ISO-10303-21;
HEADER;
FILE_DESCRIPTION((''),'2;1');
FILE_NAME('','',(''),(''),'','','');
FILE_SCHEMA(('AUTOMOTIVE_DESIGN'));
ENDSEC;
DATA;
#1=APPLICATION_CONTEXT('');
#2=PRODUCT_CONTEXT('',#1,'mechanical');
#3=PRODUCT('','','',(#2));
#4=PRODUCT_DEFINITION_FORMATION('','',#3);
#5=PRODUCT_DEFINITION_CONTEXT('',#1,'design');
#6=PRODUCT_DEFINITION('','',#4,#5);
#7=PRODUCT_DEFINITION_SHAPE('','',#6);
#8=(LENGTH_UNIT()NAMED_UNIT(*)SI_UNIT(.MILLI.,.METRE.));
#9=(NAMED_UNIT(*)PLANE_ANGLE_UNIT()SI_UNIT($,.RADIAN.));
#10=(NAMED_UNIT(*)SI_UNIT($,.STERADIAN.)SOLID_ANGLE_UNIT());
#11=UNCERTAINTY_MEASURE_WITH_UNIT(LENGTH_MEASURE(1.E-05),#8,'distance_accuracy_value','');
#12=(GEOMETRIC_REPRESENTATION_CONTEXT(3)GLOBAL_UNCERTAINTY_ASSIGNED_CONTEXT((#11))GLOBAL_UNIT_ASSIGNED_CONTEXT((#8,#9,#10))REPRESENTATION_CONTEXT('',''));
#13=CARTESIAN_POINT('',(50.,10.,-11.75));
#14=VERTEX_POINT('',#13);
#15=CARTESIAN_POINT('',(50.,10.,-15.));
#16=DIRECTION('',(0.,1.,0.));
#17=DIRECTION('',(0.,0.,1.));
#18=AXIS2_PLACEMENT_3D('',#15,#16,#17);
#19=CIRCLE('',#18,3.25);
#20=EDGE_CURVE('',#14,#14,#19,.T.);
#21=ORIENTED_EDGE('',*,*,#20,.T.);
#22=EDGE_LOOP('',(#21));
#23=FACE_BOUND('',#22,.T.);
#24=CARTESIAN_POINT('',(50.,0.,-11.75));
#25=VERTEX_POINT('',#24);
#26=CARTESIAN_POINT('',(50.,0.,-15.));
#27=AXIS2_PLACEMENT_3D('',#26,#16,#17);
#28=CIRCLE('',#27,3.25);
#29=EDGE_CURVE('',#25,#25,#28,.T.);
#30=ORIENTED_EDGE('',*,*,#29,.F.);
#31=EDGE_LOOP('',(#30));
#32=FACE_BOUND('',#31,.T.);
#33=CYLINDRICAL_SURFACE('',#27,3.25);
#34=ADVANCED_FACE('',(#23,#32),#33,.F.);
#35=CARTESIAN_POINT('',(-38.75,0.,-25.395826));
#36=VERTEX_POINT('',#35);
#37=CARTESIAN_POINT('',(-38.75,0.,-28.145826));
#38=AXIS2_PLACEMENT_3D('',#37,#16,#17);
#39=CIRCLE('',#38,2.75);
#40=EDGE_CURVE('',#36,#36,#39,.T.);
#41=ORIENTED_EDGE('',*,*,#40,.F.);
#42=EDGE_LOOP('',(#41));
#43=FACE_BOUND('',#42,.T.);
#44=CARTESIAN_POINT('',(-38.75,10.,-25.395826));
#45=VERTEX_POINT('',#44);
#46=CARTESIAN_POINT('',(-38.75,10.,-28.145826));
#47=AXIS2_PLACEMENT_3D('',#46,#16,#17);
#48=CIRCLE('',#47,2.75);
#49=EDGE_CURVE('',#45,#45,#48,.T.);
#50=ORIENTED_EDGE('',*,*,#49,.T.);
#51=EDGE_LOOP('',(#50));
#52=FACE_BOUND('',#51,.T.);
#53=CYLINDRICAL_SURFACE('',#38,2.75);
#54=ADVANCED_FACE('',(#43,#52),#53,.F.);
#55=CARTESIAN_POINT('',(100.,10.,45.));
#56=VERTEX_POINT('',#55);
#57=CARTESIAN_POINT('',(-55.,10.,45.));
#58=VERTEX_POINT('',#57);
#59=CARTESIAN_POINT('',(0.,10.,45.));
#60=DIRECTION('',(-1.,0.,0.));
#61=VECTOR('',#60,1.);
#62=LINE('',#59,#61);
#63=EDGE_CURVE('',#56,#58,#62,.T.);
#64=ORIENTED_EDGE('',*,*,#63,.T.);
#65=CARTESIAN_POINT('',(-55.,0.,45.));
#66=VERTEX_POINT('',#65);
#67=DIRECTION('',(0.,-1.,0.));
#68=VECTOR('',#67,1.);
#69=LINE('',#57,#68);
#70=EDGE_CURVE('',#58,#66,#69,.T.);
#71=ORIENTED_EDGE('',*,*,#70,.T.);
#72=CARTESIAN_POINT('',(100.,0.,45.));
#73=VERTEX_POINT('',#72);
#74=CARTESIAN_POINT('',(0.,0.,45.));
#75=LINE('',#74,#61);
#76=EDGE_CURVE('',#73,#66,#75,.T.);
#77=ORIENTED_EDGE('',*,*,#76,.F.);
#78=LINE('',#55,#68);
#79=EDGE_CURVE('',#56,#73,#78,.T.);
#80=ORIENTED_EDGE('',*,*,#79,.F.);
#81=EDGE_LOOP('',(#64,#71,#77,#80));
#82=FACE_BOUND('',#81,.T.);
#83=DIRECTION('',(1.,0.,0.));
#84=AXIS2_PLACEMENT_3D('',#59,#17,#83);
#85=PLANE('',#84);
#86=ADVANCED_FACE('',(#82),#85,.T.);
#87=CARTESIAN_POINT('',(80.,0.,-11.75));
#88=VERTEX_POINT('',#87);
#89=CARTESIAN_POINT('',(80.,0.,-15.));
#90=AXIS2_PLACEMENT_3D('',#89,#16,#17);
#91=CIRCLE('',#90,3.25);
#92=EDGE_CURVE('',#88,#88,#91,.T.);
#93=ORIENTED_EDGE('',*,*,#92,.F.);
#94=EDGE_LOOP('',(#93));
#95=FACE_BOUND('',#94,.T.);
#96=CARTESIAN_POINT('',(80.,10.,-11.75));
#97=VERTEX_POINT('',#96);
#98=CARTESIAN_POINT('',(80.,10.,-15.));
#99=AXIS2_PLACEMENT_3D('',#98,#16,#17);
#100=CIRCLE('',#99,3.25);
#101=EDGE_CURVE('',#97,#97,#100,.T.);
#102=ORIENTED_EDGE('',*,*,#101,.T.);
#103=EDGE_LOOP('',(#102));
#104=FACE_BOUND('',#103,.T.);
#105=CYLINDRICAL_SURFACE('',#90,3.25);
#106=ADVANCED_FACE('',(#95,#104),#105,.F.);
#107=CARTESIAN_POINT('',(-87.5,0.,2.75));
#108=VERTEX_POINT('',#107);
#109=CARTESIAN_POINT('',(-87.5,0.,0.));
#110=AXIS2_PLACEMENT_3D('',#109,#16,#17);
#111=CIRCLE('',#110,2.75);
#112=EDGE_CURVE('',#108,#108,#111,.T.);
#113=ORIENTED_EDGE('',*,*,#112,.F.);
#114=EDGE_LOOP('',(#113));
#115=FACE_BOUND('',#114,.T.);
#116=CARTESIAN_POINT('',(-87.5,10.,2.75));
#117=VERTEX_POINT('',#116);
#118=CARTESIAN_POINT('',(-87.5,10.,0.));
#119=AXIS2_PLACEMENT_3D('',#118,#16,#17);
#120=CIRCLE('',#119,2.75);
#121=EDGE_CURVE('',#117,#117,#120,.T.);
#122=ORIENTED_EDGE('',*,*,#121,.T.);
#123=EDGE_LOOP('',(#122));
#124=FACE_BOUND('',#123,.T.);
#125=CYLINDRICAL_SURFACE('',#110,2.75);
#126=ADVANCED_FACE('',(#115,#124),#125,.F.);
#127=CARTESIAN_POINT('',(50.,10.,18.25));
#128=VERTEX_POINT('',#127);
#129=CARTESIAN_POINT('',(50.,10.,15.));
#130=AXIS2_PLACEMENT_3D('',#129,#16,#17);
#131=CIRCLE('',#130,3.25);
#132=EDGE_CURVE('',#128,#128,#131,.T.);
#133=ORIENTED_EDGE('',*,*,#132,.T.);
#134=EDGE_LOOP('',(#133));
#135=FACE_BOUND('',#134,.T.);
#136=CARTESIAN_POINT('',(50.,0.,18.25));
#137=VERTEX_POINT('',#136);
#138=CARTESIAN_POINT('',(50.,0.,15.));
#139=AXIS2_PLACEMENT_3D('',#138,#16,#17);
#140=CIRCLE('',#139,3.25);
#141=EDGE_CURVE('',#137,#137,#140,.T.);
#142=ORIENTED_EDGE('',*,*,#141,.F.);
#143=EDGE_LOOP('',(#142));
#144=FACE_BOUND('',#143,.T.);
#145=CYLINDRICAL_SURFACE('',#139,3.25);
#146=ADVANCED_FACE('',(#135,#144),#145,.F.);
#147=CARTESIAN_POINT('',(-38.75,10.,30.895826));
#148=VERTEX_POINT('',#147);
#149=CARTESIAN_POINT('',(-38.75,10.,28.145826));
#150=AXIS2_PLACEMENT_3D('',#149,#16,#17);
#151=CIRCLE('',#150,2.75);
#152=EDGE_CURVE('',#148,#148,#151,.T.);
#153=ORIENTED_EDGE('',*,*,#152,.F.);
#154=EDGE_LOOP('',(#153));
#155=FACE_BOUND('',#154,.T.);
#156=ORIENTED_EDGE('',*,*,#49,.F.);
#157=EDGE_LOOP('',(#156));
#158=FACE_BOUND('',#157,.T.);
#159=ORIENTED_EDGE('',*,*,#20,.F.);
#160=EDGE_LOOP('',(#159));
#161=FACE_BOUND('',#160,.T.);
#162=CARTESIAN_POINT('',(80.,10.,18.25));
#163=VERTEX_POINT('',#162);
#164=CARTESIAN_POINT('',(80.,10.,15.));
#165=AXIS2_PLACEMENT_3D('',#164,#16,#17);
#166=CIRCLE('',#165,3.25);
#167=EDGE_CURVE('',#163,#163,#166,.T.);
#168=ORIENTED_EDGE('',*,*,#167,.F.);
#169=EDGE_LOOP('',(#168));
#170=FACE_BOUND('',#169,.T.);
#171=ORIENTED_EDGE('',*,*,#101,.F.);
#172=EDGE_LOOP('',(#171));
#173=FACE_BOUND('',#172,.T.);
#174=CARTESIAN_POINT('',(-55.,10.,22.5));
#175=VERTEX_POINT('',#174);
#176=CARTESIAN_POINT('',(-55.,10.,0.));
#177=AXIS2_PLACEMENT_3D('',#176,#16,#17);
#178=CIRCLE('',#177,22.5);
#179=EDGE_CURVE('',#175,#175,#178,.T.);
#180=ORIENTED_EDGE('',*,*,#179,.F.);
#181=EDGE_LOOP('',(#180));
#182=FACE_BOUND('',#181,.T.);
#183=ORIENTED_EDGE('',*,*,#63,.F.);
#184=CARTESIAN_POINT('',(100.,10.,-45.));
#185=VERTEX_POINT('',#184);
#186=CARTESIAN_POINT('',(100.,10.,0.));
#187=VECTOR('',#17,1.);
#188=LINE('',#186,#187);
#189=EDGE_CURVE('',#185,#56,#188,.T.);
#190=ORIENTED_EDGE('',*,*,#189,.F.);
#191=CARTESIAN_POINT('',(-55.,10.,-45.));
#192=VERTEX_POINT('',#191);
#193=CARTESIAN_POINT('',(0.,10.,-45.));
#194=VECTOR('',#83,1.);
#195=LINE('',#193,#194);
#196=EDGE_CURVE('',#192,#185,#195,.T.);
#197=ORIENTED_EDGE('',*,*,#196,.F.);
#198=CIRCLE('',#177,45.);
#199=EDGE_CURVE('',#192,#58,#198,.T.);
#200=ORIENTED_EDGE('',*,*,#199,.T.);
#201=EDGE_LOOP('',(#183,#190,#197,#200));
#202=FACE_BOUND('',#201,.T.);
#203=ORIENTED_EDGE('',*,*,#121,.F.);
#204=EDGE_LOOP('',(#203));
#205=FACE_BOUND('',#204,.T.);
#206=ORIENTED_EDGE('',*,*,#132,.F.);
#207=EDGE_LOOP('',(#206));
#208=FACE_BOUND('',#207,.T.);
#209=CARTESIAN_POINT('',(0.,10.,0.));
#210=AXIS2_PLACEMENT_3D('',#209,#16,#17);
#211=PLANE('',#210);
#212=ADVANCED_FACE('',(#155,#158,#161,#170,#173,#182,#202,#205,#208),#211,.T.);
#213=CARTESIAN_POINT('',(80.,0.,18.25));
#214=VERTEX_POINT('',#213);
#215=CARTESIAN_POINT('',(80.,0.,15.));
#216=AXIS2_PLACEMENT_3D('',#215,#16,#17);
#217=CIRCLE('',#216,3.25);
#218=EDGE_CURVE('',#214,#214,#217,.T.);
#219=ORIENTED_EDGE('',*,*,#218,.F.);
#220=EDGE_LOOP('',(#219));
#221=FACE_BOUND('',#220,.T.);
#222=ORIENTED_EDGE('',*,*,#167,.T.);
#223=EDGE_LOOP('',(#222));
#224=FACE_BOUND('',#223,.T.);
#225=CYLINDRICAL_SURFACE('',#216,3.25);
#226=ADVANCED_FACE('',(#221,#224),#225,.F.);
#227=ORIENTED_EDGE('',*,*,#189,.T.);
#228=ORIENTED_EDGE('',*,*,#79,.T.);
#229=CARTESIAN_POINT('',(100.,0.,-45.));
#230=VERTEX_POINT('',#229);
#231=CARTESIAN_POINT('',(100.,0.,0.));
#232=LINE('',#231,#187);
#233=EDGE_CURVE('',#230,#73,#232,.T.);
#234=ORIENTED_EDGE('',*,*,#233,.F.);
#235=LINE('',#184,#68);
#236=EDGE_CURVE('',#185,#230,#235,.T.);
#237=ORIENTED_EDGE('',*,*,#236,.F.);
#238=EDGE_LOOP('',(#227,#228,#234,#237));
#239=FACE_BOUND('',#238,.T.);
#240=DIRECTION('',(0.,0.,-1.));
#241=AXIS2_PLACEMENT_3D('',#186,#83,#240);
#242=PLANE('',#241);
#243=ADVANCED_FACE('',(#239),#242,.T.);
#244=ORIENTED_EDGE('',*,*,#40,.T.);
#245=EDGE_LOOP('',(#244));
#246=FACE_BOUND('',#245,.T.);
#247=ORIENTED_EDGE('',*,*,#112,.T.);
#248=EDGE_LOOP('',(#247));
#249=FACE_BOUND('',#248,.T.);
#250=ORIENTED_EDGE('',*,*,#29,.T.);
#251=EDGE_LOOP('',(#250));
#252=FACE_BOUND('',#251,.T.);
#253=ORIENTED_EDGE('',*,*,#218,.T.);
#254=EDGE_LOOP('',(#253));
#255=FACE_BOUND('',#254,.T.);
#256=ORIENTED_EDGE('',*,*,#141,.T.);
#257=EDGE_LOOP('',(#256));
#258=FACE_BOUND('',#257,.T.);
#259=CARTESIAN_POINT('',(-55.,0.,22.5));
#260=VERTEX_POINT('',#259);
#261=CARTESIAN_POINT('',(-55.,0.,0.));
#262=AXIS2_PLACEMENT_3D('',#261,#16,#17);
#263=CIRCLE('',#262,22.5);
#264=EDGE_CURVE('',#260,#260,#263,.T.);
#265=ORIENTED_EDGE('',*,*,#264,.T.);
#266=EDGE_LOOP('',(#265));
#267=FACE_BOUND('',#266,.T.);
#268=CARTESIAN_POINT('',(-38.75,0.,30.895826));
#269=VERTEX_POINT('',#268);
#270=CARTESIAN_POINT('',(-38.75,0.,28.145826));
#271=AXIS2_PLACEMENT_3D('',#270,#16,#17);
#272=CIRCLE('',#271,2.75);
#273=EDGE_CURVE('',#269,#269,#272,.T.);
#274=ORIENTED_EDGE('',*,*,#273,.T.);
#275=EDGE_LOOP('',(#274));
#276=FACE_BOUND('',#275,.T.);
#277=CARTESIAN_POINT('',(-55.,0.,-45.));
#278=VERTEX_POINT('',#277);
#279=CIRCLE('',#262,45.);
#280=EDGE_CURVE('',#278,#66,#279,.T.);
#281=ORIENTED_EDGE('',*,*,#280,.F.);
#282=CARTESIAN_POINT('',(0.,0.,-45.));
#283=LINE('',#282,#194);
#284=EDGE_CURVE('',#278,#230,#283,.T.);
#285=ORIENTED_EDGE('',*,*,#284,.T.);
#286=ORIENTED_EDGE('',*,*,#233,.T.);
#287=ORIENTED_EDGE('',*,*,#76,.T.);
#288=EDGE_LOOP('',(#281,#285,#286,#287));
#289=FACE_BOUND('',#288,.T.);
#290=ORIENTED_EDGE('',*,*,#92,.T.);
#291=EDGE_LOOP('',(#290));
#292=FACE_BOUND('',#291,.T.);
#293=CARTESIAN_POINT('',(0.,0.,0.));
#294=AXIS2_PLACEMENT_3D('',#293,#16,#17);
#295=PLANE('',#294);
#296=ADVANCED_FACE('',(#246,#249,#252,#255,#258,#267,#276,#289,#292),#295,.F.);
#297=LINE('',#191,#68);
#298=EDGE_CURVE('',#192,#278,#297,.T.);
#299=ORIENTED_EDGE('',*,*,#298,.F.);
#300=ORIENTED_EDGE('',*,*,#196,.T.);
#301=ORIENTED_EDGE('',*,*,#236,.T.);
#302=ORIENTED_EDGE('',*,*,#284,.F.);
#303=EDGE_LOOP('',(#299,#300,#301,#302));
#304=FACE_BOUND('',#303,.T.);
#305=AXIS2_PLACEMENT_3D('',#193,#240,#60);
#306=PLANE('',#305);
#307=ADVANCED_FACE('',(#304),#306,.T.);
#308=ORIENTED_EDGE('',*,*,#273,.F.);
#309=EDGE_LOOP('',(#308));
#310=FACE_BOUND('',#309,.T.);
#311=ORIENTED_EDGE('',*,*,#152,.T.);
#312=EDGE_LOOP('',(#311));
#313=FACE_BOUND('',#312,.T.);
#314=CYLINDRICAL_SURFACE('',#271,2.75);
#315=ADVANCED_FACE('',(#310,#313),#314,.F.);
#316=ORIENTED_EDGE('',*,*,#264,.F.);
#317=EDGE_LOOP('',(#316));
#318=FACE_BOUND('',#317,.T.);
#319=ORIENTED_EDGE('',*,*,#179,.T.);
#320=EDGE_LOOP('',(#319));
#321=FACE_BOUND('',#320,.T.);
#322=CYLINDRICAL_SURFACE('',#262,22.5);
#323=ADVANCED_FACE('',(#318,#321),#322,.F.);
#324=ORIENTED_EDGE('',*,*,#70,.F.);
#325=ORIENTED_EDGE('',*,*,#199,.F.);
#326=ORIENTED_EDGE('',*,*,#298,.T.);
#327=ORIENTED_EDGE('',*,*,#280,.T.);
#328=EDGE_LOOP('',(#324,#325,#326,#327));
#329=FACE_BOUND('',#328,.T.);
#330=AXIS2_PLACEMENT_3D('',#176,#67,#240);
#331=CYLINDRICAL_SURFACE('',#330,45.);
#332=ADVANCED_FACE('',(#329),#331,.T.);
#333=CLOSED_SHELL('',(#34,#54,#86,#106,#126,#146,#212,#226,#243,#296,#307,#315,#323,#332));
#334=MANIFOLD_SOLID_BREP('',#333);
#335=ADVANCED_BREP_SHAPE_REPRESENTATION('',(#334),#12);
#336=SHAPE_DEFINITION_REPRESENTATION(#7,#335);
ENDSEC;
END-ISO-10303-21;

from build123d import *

# Parameters (mm, degrees)
BOSS_EXTRUDE1_DEPTH = 10
SKETCH2_R           = 2.75
SKETCH2_R_2         = 22.5
CUT_EXTRUDE1_DEPTH  = 11
SKETCH3_R           = 3.25
CUT_EXTRUDE2_DEPTH  = 11


with BuildPart() as part:
    # Sketch1 → Boss-Extrude1 (new body)
    with BuildSketch(Plane(origin=(0, 0, 0), x_dir=(1, 0, 0), z_dir=(0, 1, 0))):
        with BuildLine():
            Line((100, 45), (-55, 45))
            ThreePointArc((-55, 45), (-100, 0), (-55, -45))
            Line((-55, -45), (100, -45))
            Line((100, -45), (100, 45))
        make_face()
    extrude(amount=BOSS_EXTRUDE1_DEPTH)

    # Sketch2 → Cut-Extrude1 (cut, through all)
    with BuildSketch(Plane(origin=(0, 10, 0), x_dir=(1, 0, 0), z_dir=(0, 1, 0))):
        with Locations((-87.5, 0)):
            Circle(SKETCH2_R)
        with Locations((-38.75, 28.145825623)):
            Circle(SKETCH2_R)
        with Locations((-38.75, -28.145825623)):
            Circle(SKETCH2_R)
        with Locations((-55, 0)):
            Circle(SKETCH2_R_2)
    extrude(amount=-CUT_EXTRUDE1_DEPTH, mode=Mode.SUBTRACT)

    # Sketch3 → Cut-Extrude2 (cut, through all)
    with BuildSketch(Plane(origin=(0, 10, 0), x_dir=(1, 0, 0), z_dir=(0, 1, 0))):
        with Locations((80, 15)):
            Circle(SKETCH3_R)
        with Locations((50, 15)):
            Circle(SKETCH3_R)
        with Locations((50, -15)):
            Circle(SKETCH3_R)
        with Locations((80, -15)):
            Circle(SKETCH3_R)
    extrude(amount=-CUT_EXTRUDE2_DEPTH, mode=Mode.SUBTRACT)


solid = part.part
